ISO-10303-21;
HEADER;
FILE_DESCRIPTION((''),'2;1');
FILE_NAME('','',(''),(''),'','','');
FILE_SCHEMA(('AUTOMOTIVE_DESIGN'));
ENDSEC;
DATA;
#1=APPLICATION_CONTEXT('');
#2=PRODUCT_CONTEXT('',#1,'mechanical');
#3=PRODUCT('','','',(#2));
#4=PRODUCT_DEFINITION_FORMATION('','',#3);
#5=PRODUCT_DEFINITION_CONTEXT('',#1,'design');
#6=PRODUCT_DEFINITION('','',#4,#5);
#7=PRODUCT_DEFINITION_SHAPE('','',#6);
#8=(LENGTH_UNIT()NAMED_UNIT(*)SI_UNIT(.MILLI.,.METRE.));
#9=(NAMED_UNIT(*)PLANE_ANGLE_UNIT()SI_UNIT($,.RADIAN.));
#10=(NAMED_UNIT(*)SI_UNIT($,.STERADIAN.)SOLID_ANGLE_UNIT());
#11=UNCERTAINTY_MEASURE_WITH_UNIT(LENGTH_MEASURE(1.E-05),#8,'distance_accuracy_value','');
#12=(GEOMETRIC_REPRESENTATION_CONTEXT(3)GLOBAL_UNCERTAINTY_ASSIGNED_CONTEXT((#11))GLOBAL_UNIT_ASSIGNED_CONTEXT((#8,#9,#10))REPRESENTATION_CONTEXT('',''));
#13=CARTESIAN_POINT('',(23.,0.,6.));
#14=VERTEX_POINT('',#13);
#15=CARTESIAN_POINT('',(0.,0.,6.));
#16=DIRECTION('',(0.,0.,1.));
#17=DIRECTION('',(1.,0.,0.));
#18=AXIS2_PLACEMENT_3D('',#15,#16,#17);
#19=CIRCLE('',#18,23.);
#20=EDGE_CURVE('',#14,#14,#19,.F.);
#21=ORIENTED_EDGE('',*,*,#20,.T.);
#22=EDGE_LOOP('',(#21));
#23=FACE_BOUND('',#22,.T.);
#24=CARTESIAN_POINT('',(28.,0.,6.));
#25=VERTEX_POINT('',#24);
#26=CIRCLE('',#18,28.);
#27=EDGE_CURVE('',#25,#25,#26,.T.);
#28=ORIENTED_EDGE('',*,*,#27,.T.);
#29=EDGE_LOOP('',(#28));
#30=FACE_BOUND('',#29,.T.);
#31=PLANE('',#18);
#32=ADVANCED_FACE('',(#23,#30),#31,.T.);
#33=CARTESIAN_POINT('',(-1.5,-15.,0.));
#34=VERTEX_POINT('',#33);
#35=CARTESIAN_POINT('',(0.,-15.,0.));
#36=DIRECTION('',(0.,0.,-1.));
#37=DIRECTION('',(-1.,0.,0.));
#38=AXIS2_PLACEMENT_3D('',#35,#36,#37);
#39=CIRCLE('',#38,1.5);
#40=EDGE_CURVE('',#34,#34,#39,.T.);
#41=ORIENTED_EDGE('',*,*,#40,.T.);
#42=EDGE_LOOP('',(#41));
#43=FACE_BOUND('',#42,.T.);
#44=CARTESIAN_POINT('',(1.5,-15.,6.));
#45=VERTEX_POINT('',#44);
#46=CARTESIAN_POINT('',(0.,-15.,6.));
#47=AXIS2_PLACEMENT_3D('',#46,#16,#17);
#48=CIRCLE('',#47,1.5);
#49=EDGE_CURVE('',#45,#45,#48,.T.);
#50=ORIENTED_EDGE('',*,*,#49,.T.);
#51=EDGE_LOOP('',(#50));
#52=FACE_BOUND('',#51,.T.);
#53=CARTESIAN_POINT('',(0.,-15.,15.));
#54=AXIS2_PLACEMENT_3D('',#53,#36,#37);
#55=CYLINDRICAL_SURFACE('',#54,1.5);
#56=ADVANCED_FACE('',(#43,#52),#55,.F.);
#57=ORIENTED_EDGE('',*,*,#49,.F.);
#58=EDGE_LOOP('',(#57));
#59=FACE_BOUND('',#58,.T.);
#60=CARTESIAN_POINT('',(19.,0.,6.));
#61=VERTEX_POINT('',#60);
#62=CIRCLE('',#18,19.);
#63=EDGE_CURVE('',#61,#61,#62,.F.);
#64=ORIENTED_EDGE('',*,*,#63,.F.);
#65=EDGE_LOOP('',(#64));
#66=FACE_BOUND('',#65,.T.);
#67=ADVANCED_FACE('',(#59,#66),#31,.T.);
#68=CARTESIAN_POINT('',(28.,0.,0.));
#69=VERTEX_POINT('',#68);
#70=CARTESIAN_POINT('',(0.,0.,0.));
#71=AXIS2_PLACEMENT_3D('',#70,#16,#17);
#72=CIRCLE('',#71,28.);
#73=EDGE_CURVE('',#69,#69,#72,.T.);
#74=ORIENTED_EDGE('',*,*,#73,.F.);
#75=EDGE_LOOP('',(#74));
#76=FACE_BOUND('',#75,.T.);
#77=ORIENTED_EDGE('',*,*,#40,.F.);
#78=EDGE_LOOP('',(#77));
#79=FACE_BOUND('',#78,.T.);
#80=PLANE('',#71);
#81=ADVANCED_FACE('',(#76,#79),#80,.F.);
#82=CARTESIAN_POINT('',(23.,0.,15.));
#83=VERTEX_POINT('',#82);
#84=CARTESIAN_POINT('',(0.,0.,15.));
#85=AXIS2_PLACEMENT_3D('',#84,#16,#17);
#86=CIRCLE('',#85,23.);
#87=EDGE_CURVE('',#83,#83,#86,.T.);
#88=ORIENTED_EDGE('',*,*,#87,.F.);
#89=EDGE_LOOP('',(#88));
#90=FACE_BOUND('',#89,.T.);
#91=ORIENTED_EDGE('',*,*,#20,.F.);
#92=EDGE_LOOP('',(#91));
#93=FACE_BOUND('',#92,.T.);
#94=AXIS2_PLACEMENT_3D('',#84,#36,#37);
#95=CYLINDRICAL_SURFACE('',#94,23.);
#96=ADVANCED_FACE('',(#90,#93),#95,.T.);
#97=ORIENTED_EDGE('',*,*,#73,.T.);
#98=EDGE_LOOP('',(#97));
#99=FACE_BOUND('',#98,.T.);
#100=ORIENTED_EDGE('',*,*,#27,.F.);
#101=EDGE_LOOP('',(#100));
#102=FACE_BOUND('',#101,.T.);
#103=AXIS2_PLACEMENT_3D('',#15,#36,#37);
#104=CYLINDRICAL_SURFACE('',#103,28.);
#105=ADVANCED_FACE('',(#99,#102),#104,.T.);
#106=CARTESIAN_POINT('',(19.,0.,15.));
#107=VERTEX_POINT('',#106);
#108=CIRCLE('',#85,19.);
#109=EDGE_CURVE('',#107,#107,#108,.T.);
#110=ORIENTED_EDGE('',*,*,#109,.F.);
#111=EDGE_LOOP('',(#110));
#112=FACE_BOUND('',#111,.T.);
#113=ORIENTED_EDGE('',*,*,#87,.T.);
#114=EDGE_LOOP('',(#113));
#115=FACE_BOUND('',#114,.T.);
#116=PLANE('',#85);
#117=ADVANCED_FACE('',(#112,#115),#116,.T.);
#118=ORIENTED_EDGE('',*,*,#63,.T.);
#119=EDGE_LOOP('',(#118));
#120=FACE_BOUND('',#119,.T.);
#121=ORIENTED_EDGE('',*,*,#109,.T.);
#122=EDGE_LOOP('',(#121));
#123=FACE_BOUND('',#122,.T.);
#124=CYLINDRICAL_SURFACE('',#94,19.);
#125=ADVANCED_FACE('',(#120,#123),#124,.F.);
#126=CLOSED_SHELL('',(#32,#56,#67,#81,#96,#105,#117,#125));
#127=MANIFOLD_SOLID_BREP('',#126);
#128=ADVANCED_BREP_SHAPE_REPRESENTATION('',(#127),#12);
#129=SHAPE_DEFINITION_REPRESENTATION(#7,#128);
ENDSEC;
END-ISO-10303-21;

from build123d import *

# Parameters (mm, degrees)
SKETCH1_R           = 28
BOSS_EXTRUDE1_DEPTH = 6
SKETCH1_3_R         = 23
SKETCH1_3_R_2       = 19
BOSS_EXTRUDE2_DEPTH = 15
SKETCH2_R           = 1.5
CUT_EXTRUDE1_DEPTH  = 43.343830719


with BuildPart() as part:
    # Sketch1 → Boss-Extrude1 (new body)
    with BuildSketch(Plane.XY):
        Circle(SKETCH1_R)
    extrude(amount=BOSS_EXTRUDE1_DEPTH)

    # Sketch1<3> → Boss-Extrude2 (add)
    with BuildSketch(Plane.XY):
        Circle(SKETCH1_3_R)
        Circle(SKETCH1_3_R_2, mode=Mode.SUBTRACT)
    extrude(amount=BOSS_EXTRUDE2_DEPTH)

    # Sketch2 → Cut-Extrude1 (cut, through all)
    with BuildSketch(Plane(origin=(0, 0, 0), x_dir=(-1, 0, 0), z_dir=(0, 0, -1))):
        with Locations((0, -15)):
            Circle(SKETCH2_R)
    extrude(amount=-CUT_EXTRUDE1_DEPTH, mode=Mode.SUBTRACT)


solid = part.part
